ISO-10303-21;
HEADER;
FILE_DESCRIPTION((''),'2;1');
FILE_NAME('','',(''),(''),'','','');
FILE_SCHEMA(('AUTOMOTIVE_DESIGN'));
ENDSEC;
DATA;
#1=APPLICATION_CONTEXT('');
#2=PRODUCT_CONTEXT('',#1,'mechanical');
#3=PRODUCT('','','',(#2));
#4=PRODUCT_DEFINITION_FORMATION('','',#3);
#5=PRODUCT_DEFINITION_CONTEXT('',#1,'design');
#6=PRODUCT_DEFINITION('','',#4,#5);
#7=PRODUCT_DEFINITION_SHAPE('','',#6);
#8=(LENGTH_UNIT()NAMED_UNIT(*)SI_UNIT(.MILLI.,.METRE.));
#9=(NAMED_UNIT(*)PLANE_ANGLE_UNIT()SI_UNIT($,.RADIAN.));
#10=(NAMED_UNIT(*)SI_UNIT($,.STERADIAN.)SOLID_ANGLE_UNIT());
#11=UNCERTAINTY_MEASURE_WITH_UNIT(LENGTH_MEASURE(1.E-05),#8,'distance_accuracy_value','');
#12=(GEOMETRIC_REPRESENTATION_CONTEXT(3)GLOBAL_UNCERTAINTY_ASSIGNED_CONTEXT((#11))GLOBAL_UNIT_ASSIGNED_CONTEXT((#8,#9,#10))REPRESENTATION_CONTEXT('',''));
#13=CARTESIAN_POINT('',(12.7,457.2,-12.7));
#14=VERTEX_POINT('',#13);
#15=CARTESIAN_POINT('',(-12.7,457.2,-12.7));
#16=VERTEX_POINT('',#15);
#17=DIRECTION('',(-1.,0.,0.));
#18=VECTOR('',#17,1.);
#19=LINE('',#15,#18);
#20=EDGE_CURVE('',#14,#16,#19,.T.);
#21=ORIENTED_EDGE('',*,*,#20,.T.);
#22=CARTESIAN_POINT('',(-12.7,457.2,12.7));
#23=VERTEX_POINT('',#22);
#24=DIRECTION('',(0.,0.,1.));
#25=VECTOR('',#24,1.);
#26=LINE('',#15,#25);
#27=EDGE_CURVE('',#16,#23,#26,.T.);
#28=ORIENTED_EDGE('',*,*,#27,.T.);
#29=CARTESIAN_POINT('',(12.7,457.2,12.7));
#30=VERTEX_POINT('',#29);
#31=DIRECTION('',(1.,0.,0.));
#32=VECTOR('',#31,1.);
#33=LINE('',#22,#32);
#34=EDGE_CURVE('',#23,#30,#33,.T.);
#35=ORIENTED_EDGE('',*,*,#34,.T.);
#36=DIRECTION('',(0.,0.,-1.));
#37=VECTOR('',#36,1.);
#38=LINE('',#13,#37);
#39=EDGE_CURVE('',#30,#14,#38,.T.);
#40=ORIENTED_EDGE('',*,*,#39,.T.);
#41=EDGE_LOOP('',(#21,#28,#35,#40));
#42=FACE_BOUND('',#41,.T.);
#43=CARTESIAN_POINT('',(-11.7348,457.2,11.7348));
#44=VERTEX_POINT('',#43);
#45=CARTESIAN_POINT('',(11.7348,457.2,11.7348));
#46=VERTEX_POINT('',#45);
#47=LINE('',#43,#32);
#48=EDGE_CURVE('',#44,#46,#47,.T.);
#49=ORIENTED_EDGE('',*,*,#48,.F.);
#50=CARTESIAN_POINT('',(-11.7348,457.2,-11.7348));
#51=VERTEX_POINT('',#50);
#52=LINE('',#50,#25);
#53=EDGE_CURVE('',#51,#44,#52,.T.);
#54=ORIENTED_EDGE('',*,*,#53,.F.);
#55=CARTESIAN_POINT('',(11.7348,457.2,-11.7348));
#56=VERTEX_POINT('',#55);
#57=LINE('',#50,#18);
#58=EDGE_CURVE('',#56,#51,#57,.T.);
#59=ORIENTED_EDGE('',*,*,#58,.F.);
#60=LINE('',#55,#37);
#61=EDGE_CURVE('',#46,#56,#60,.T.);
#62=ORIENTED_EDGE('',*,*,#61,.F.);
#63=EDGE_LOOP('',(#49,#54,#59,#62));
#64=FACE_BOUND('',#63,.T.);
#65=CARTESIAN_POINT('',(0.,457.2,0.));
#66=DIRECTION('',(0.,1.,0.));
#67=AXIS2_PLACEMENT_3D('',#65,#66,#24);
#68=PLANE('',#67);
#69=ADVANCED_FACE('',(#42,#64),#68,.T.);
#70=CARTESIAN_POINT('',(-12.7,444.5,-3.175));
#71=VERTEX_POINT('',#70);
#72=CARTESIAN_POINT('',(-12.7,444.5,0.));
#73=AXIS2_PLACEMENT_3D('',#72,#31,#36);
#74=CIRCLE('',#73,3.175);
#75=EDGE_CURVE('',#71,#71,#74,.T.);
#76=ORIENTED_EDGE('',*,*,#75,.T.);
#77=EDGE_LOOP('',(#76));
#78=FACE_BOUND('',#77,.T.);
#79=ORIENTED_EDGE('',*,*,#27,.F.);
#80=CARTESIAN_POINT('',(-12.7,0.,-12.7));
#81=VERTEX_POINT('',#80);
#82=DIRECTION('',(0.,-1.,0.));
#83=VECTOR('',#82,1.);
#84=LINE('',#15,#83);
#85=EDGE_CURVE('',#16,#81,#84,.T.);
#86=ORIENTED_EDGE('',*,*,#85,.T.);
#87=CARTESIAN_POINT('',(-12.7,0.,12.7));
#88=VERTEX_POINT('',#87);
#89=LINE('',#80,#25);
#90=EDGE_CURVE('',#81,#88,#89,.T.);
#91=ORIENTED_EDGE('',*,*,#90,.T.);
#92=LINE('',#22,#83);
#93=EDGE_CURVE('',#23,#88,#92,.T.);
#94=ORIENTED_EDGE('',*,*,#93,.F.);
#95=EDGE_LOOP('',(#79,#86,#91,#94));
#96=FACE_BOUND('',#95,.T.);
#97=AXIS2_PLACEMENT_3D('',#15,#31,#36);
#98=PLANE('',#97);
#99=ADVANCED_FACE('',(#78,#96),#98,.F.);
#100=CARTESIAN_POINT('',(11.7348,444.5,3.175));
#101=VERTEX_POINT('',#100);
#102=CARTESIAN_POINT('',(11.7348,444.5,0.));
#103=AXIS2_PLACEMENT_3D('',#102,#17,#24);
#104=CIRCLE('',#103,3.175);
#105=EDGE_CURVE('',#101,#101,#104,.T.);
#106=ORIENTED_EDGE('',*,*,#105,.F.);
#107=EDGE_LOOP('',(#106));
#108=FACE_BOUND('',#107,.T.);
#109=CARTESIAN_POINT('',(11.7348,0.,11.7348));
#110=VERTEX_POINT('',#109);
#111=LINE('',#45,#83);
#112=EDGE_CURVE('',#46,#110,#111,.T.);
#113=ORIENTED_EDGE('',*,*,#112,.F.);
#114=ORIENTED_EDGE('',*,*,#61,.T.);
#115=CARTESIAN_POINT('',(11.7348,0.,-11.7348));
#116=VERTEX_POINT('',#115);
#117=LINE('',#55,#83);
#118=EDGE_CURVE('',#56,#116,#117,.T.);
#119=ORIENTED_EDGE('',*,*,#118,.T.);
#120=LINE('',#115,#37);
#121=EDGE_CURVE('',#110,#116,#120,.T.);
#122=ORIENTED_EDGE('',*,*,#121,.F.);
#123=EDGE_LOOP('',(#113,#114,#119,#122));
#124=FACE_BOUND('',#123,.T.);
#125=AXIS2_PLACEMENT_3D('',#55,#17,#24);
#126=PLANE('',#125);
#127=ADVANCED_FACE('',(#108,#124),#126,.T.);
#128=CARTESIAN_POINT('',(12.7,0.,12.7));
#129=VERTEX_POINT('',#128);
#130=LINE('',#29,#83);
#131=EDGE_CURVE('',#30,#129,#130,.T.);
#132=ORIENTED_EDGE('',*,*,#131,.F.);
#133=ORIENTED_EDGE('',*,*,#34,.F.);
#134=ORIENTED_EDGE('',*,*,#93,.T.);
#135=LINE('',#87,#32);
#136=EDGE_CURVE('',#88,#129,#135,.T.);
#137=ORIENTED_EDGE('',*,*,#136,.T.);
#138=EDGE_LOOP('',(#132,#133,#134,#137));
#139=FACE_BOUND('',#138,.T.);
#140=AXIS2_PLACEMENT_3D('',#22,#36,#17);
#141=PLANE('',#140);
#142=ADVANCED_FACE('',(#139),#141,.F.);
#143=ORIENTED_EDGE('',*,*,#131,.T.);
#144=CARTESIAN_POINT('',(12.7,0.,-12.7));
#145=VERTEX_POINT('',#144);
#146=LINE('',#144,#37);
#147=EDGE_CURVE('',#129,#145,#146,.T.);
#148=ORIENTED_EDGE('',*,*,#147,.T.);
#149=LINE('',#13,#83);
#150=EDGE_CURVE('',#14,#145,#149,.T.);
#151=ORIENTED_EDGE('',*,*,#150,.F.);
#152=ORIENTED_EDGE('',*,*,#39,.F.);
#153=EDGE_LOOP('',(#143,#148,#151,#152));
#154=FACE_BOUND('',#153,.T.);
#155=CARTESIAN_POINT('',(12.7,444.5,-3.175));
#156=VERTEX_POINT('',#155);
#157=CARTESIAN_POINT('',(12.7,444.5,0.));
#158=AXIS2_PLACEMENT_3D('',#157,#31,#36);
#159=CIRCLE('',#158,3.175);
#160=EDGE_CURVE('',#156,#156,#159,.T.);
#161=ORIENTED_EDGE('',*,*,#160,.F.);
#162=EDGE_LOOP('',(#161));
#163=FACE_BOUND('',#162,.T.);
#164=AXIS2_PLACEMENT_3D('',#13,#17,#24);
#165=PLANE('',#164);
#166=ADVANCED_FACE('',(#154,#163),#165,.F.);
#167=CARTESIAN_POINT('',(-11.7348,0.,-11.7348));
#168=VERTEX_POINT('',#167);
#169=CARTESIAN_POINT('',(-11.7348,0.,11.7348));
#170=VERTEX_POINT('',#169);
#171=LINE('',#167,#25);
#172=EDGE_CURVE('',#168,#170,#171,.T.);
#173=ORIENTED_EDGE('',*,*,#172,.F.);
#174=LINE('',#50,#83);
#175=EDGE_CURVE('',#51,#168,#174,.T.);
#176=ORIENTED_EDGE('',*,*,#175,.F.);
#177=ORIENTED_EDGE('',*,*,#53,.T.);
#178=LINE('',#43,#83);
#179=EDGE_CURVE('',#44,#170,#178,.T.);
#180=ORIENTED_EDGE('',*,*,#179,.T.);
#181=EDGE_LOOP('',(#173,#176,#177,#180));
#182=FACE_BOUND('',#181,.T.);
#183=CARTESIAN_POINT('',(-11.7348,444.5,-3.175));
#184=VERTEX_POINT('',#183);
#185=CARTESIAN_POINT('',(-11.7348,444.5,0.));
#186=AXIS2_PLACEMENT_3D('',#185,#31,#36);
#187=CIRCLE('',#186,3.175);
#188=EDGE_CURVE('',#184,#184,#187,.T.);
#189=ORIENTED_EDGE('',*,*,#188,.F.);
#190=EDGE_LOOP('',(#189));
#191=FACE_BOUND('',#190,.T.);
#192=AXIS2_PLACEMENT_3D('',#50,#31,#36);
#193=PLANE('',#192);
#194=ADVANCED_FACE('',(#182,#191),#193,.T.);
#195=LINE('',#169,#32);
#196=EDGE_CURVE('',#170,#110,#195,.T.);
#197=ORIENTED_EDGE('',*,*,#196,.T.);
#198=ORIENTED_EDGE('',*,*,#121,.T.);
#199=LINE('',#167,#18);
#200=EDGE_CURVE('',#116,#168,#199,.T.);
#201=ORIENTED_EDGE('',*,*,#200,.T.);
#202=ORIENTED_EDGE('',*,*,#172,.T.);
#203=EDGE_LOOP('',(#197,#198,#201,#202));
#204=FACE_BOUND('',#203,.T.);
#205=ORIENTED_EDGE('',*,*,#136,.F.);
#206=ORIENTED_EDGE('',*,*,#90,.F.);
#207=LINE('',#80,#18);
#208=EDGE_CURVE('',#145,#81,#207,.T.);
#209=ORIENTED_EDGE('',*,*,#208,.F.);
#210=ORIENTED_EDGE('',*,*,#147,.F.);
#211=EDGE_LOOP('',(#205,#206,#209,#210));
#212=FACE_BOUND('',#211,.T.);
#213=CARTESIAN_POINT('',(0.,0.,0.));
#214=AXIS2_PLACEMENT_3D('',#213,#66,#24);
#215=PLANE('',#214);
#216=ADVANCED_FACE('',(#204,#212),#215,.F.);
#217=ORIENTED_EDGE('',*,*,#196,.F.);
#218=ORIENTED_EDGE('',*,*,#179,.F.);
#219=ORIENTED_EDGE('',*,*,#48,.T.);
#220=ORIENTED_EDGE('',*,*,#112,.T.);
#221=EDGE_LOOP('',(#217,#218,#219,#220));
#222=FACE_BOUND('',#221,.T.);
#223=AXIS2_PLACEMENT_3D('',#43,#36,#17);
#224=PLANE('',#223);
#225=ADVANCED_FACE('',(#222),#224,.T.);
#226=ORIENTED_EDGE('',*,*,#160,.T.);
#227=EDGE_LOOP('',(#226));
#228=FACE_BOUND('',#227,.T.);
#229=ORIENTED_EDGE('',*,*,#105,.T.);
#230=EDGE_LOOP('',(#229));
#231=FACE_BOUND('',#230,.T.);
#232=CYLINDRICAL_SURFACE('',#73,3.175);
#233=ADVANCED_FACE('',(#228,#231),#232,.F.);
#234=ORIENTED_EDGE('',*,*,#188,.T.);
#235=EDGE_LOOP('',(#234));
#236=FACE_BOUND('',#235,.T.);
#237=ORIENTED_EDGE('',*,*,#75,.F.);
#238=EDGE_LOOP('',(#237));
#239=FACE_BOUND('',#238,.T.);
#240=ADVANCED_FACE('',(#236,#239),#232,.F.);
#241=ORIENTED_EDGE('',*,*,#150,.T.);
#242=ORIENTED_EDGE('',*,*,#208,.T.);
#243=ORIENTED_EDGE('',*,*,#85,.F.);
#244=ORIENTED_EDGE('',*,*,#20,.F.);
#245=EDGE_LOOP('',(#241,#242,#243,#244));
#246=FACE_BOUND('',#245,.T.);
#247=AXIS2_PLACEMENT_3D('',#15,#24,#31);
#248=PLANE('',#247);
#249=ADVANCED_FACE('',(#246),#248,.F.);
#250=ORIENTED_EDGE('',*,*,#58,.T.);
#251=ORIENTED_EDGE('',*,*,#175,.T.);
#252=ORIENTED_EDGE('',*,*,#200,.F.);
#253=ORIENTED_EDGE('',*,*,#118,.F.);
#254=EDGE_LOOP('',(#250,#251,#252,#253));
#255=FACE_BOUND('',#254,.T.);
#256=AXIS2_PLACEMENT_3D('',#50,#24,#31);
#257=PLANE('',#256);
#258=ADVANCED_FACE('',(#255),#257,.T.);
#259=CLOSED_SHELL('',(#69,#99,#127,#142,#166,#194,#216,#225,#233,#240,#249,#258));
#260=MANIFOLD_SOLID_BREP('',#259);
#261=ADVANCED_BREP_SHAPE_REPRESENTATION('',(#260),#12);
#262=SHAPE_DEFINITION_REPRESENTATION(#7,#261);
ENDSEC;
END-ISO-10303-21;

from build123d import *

# Parameters (mm, degrees)
SKETCH1_W           = 25.4
SKETCH1_H           = 25.4
SKETCH1_W_2         = 23.4696
SKETCH1_H_2         = 23.4696
BOSS_EXTRUDE1_DEPTH = 457.2
SKETCH2_R           = 3.175
CUT_EXTRUDE1_DEPTH  = 26.4


with BuildPart() as part:
    # Sketch1 → Boss-Extrude1 (new body)
    with BuildSketch(Plane(origin=(0, 0, 0), x_dir=(1, 0, 0), z_dir=(0, 1, 0))):
        Rectangle(SKETCH1_W, SKETCH1_H)
        Rectangle(SKETCH1_W_2, SKETCH1_H_2, mode=Mode.SUBTRACT)
    extrude(amount=BOSS_EXTRUDE1_DEPTH)

    # Sketch2 → Cut-Extrude1 (cut, through all)
    with BuildSketch(Plane(origin=(12.7, 0, 0), x_dir=(0, 0, -1), z_dir=(1, 0, 0))):
        with Locations((0, 444.5)):
            Circle(SKETCH2_R)
    extrude(amount=-CUT_EXTRUDE1_DEPTH, mode=Mode.SUBTRACT)


solid = part.part
